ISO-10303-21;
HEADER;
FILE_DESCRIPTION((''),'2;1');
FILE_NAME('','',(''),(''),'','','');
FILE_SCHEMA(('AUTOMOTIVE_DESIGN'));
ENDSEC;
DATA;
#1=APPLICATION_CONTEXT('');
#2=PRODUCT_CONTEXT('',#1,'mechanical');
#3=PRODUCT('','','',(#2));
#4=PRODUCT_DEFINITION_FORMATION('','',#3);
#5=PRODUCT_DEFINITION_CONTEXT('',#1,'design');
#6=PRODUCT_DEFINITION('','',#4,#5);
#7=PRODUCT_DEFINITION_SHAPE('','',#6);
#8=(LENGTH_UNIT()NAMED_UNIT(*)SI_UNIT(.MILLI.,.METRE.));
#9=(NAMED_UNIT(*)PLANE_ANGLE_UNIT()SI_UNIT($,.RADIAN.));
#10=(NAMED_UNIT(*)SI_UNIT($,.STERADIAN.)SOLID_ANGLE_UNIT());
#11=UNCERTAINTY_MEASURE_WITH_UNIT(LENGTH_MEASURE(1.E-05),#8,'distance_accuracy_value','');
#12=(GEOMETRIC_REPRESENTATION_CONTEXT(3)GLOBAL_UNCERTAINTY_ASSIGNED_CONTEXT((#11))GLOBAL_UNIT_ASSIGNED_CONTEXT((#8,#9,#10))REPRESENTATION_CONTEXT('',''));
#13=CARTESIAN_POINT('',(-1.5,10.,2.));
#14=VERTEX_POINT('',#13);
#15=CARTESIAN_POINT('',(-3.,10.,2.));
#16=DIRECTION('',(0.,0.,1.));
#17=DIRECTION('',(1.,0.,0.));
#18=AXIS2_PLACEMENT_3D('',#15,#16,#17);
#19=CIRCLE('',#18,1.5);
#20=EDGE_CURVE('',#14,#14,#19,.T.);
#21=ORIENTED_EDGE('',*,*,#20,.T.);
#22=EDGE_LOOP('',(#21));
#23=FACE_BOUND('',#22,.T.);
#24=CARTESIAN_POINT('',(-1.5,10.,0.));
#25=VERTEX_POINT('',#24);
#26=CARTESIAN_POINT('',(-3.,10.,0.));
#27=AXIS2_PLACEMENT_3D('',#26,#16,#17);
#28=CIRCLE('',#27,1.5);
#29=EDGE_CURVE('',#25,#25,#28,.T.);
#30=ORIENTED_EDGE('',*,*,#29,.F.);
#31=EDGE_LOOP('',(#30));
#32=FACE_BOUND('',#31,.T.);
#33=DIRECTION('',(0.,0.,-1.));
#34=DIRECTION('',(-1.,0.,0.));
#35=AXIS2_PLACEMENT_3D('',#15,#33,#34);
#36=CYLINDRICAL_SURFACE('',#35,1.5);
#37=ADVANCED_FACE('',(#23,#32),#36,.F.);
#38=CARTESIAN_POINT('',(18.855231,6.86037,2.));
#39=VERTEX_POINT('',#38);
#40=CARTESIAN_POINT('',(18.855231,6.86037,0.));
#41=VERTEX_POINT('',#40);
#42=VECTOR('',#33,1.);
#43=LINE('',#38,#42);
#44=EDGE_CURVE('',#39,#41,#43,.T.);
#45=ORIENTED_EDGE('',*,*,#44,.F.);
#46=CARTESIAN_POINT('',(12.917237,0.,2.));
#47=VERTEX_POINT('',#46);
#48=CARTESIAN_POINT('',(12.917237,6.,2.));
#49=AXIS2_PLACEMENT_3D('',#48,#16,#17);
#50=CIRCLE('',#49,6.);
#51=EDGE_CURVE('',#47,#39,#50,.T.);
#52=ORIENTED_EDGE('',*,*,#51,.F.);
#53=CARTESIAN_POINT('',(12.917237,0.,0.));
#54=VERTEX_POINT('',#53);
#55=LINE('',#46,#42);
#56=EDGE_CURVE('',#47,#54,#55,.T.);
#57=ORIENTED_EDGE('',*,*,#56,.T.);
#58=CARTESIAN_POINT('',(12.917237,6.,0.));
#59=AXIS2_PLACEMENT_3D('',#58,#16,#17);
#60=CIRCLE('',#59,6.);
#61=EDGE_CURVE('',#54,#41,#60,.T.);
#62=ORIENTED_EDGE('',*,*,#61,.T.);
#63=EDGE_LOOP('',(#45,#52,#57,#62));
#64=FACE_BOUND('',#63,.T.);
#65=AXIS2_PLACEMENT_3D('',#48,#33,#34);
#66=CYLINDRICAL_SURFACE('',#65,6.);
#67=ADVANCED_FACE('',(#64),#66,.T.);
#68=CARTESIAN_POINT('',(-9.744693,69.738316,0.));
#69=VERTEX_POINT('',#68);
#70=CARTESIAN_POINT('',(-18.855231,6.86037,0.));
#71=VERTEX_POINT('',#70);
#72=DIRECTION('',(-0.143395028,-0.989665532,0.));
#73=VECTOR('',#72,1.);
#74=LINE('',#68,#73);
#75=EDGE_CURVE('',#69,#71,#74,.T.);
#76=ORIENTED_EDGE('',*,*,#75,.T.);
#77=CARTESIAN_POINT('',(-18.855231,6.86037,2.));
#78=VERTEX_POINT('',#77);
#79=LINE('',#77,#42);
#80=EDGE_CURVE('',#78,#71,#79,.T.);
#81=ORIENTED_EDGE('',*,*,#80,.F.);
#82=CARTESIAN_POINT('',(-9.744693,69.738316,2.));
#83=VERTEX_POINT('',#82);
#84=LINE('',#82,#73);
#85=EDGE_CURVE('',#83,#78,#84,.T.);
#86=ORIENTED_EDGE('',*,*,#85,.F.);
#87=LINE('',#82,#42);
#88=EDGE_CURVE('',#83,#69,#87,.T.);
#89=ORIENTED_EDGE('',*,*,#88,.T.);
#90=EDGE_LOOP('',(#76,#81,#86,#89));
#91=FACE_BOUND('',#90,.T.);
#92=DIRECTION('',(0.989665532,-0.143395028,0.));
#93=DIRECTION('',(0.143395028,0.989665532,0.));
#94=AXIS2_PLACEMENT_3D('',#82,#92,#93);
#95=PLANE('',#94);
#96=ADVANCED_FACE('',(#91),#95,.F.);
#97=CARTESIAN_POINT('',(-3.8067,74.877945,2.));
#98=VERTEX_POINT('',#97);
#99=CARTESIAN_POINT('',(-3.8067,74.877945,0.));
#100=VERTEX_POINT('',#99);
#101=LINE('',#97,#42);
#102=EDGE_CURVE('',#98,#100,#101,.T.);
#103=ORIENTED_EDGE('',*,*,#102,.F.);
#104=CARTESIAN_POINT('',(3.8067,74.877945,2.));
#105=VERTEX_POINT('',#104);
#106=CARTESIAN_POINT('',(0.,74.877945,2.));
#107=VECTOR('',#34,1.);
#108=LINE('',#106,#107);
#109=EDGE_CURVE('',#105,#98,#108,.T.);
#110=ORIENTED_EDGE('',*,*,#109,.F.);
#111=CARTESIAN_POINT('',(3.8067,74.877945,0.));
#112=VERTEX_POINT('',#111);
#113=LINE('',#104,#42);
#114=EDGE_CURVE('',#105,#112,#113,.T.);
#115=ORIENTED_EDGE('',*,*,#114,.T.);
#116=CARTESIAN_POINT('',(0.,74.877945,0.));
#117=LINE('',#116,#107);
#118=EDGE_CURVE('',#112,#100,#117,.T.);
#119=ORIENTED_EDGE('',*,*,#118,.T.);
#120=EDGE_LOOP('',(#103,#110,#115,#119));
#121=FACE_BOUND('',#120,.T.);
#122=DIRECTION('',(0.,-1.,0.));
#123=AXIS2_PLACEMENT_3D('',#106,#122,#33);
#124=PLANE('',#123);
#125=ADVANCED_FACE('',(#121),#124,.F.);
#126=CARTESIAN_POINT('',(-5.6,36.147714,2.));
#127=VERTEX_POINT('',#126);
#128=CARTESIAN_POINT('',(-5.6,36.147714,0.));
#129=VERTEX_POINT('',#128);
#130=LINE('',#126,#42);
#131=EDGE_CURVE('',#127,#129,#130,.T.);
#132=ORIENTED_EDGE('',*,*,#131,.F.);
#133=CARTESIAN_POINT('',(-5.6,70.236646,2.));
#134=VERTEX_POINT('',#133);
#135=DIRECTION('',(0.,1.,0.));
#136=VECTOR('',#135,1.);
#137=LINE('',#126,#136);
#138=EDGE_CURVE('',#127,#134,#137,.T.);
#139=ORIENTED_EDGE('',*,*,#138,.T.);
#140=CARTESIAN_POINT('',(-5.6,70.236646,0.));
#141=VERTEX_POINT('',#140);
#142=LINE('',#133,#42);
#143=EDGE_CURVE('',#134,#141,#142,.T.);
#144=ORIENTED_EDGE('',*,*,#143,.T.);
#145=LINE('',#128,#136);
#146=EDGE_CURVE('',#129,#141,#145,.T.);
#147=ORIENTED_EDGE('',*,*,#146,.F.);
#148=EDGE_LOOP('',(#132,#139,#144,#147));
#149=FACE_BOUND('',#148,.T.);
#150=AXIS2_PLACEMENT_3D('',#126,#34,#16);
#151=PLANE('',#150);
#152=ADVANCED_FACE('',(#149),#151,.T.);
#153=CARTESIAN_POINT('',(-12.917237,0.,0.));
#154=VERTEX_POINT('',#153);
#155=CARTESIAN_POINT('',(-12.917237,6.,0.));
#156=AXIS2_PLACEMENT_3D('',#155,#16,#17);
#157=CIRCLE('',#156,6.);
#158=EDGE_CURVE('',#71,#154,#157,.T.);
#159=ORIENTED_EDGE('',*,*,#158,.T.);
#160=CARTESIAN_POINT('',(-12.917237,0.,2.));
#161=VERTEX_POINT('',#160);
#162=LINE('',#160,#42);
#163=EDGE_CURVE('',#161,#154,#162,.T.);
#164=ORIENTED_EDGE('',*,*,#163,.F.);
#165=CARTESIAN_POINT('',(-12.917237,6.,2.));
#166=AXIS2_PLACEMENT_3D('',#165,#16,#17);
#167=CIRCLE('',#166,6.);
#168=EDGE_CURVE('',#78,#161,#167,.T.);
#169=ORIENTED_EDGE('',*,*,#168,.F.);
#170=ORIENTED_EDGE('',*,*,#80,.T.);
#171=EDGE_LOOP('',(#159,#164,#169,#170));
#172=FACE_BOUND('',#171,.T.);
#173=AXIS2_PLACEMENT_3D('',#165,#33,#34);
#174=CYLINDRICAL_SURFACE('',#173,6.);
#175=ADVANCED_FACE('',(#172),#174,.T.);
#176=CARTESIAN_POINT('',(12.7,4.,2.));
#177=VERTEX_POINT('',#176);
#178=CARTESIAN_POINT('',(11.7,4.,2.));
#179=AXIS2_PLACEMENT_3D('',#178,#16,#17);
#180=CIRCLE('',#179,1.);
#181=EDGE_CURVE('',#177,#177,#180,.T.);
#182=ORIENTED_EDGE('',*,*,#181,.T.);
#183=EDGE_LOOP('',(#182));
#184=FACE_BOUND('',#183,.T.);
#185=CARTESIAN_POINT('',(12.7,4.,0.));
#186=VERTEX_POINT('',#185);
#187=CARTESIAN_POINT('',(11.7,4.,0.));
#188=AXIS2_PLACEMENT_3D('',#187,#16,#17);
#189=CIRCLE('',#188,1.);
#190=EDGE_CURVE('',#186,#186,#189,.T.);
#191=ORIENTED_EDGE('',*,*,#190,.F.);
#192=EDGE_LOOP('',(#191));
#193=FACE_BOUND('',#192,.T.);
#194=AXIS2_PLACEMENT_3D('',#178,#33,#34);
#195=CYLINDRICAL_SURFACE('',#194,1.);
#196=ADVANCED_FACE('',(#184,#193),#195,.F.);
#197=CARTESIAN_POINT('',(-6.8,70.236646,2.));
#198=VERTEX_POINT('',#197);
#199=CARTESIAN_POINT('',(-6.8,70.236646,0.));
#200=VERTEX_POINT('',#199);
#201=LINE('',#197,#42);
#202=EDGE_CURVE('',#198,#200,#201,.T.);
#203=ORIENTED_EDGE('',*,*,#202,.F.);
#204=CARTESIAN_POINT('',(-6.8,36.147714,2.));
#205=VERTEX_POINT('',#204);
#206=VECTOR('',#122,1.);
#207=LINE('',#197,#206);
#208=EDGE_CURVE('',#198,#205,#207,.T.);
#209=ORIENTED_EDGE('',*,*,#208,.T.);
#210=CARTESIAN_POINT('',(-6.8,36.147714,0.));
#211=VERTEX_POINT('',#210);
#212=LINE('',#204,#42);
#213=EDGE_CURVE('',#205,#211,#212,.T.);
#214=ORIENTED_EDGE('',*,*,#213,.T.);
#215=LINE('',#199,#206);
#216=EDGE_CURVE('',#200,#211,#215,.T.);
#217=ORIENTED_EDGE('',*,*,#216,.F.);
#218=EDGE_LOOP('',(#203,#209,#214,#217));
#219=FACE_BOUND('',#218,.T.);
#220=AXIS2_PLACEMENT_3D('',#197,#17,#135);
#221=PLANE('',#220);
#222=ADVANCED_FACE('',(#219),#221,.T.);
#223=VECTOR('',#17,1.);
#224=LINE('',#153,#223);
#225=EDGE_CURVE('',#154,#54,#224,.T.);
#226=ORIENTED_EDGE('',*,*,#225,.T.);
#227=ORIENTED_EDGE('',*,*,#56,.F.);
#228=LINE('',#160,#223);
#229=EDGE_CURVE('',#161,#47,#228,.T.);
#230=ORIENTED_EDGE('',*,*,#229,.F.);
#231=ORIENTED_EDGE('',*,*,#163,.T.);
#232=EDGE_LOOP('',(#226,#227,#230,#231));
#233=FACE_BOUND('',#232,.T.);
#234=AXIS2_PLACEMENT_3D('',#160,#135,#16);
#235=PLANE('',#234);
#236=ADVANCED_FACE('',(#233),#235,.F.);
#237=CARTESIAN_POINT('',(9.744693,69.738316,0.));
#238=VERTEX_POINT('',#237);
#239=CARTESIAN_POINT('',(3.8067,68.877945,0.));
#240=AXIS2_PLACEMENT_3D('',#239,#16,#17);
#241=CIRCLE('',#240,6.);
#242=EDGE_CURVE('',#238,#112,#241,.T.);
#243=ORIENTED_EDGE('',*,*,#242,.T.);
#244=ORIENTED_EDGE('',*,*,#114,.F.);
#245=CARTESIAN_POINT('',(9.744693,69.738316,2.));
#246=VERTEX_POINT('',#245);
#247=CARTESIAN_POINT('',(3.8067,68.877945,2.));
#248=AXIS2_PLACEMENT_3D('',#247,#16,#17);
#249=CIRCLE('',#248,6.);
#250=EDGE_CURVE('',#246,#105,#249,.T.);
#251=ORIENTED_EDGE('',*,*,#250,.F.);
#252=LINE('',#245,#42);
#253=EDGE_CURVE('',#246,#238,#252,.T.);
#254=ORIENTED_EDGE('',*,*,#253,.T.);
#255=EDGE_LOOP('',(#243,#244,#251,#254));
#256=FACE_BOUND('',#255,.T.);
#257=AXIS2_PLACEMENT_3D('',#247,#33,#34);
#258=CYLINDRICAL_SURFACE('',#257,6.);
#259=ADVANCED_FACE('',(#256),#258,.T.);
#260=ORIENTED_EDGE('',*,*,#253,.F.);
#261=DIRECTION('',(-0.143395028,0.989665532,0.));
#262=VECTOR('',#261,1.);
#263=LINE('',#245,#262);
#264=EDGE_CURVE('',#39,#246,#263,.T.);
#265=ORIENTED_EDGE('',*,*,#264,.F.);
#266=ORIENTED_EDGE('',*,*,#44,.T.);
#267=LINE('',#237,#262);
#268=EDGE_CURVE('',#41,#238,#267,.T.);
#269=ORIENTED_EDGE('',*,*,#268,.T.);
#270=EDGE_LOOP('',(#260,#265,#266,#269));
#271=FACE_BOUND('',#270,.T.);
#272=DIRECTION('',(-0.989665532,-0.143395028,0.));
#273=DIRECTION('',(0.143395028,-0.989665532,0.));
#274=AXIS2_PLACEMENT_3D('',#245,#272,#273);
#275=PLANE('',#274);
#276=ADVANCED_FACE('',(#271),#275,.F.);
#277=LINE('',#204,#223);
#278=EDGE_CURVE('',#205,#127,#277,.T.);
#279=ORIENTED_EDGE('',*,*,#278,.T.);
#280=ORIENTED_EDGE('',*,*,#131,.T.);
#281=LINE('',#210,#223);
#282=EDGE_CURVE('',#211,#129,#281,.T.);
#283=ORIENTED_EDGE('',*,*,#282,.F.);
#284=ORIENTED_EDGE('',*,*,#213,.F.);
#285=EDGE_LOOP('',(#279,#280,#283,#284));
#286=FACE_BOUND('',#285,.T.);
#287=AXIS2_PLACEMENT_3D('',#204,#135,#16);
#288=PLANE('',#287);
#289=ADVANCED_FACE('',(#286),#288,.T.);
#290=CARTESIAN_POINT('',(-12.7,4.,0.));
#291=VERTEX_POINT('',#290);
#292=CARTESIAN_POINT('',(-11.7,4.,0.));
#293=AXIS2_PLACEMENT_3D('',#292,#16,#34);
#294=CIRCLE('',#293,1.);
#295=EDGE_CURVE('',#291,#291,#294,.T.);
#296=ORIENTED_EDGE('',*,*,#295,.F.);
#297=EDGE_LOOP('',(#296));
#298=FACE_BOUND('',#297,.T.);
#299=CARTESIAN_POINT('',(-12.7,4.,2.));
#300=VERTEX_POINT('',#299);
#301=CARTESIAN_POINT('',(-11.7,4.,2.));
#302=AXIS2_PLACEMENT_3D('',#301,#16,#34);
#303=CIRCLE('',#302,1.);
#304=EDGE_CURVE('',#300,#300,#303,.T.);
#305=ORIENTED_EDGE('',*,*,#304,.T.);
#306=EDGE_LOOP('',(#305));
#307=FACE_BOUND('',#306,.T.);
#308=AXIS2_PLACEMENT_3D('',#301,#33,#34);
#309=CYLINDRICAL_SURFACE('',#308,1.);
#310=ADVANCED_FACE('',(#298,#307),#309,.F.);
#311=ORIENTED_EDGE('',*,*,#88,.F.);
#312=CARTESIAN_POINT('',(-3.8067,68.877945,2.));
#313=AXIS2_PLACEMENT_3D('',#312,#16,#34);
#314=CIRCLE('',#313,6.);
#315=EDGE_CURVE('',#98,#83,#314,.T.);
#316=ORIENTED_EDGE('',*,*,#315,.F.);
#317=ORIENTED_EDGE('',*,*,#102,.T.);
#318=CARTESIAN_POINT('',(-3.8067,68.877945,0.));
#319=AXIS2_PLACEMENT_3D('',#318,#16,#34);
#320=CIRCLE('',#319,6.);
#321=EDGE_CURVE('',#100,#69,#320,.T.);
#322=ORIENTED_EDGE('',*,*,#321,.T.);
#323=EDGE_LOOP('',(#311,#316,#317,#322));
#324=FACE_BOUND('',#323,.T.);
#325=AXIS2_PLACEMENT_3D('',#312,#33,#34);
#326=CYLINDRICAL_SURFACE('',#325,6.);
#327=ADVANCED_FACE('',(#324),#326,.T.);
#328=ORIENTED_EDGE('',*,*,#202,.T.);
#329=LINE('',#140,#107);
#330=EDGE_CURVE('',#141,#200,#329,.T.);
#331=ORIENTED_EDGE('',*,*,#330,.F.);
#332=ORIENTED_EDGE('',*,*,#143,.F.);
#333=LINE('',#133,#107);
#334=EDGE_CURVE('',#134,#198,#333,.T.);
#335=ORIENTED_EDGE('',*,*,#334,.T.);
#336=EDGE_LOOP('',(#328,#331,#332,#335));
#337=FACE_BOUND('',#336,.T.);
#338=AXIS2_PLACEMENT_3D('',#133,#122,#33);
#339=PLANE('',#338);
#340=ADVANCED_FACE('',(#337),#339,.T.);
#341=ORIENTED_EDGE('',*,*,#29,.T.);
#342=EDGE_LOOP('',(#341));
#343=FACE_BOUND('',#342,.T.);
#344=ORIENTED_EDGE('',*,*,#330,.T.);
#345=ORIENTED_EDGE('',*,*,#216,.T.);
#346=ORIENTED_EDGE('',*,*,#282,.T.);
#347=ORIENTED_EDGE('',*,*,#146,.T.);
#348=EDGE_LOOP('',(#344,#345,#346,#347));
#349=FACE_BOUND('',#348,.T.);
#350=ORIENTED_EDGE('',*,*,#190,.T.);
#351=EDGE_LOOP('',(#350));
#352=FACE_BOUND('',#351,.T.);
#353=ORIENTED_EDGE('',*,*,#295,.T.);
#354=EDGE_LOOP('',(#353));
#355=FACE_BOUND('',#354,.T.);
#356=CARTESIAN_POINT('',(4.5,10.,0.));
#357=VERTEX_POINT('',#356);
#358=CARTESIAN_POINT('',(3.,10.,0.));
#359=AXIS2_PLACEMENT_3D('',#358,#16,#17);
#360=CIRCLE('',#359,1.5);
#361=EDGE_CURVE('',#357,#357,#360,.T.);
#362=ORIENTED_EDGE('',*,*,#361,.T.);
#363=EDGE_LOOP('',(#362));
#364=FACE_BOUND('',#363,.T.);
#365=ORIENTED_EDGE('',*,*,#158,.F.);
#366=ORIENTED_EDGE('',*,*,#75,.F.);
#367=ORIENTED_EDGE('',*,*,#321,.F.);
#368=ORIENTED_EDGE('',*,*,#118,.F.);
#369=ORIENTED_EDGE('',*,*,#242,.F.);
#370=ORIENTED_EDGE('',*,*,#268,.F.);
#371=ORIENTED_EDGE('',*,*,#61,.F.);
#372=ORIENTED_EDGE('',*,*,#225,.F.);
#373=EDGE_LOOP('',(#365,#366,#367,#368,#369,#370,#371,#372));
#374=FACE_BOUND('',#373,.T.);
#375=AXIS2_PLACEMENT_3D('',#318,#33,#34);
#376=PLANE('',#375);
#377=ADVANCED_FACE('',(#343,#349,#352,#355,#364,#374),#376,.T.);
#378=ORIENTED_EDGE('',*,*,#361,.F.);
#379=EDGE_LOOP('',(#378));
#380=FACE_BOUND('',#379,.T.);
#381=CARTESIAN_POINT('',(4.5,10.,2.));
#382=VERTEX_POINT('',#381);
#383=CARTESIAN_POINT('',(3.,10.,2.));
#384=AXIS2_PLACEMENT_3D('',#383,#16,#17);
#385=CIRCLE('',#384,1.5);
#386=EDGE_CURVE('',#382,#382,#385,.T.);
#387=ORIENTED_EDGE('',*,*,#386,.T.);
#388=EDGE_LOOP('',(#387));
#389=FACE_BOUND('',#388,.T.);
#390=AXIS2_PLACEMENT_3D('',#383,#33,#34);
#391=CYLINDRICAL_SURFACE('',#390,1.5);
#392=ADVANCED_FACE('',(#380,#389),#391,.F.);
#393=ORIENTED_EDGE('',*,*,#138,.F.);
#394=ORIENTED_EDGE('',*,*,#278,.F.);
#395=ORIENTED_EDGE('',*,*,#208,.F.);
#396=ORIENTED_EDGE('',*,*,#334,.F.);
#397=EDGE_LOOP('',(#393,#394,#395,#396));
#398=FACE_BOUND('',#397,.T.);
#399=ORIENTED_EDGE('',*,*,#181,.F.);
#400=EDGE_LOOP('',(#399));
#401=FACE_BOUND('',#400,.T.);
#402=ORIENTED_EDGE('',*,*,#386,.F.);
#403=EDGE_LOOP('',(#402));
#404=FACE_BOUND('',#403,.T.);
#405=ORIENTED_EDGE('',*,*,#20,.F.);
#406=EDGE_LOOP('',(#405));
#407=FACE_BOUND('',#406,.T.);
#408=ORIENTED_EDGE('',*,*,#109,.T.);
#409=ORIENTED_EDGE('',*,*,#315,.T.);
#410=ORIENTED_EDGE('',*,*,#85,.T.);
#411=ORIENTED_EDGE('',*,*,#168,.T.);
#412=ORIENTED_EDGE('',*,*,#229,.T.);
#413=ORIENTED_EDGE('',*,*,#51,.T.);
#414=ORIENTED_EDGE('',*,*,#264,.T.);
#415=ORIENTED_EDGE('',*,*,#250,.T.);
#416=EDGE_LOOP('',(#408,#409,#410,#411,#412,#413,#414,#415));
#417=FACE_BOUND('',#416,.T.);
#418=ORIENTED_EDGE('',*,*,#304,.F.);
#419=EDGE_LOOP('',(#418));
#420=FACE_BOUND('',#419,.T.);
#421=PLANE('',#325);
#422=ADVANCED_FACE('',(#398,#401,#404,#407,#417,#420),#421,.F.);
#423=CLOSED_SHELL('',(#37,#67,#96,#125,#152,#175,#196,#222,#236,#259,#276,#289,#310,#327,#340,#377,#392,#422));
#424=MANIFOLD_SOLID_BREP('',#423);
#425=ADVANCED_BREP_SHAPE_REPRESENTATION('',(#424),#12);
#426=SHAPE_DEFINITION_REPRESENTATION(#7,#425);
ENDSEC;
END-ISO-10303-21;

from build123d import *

# Parameters (mm, degrees)
SKETCH_1_R      = 1
SKETCH_1_R_2    = 1.5
SKETCH_1_W      = 1.2
SKETCH_1_H      = 34.088931988
EXTRUDE_1_DEPTH = 2


with BuildPart() as part:
    # 草图1 → 凸台-拉伸1 (new body)
    with BuildSketch(Plane.XY):
        with BuildLine():
            Line((-12.91723747, 0), (12.91723747, 0))
            ThreePointArc((12.91723747, 0), (17.453878353, 2.073310619), (18.855230664, 6.860370167))
            Line((18.855230664, 6.860370167), (9.744693373, 69.738315612))
            ThreePointArc((9.744693373, 69.738315612), (7.73338956, 73.414586328), (3.806700178, 74.877945445))
            Line((3.806700178, 74.877945445), (0, 74.877945445))
            Line((0, 74.877945445), (-3.806700178, 74.877945445))
            ThreePointArc((-3.806700178, 74.877945445), (-7.73338956, 73.414586328), (-9.744693373, 69.738315612))
            Line((-9.744693373, 69.738315612), (-18.855230664, 6.860370167))
            ThreePointArc((-18.855230664, 6.860370167), (-17.453878353, 2.073310619), (-12.91723747, 0))
        make_face()
        with Locations((11.7, 4)):
            Circle(SKETCH_1_R, mode=Mode.SUBTRACT)
        with Locations((-11.7, 4)):
            Circle(SKETCH_1_R, mode=Mode.SUBTRACT)
        with Locations((-3, 10)):
            Circle(SKETCH_1_R_2, mode=Mode.SUBTRACT)
        with Locations((3, 10)):
            Circle(SKETCH_1_R_2, mode=Mode.SUBTRACT)
        with Locations((-6.2, 53.192179666)):
            Rectangle(SKETCH_1_W, SKETCH_1_H, mode=Mode.SUBTRACT)
    extrude(amount=EXTRUDE_1_DEPTH)


solid = part.part
